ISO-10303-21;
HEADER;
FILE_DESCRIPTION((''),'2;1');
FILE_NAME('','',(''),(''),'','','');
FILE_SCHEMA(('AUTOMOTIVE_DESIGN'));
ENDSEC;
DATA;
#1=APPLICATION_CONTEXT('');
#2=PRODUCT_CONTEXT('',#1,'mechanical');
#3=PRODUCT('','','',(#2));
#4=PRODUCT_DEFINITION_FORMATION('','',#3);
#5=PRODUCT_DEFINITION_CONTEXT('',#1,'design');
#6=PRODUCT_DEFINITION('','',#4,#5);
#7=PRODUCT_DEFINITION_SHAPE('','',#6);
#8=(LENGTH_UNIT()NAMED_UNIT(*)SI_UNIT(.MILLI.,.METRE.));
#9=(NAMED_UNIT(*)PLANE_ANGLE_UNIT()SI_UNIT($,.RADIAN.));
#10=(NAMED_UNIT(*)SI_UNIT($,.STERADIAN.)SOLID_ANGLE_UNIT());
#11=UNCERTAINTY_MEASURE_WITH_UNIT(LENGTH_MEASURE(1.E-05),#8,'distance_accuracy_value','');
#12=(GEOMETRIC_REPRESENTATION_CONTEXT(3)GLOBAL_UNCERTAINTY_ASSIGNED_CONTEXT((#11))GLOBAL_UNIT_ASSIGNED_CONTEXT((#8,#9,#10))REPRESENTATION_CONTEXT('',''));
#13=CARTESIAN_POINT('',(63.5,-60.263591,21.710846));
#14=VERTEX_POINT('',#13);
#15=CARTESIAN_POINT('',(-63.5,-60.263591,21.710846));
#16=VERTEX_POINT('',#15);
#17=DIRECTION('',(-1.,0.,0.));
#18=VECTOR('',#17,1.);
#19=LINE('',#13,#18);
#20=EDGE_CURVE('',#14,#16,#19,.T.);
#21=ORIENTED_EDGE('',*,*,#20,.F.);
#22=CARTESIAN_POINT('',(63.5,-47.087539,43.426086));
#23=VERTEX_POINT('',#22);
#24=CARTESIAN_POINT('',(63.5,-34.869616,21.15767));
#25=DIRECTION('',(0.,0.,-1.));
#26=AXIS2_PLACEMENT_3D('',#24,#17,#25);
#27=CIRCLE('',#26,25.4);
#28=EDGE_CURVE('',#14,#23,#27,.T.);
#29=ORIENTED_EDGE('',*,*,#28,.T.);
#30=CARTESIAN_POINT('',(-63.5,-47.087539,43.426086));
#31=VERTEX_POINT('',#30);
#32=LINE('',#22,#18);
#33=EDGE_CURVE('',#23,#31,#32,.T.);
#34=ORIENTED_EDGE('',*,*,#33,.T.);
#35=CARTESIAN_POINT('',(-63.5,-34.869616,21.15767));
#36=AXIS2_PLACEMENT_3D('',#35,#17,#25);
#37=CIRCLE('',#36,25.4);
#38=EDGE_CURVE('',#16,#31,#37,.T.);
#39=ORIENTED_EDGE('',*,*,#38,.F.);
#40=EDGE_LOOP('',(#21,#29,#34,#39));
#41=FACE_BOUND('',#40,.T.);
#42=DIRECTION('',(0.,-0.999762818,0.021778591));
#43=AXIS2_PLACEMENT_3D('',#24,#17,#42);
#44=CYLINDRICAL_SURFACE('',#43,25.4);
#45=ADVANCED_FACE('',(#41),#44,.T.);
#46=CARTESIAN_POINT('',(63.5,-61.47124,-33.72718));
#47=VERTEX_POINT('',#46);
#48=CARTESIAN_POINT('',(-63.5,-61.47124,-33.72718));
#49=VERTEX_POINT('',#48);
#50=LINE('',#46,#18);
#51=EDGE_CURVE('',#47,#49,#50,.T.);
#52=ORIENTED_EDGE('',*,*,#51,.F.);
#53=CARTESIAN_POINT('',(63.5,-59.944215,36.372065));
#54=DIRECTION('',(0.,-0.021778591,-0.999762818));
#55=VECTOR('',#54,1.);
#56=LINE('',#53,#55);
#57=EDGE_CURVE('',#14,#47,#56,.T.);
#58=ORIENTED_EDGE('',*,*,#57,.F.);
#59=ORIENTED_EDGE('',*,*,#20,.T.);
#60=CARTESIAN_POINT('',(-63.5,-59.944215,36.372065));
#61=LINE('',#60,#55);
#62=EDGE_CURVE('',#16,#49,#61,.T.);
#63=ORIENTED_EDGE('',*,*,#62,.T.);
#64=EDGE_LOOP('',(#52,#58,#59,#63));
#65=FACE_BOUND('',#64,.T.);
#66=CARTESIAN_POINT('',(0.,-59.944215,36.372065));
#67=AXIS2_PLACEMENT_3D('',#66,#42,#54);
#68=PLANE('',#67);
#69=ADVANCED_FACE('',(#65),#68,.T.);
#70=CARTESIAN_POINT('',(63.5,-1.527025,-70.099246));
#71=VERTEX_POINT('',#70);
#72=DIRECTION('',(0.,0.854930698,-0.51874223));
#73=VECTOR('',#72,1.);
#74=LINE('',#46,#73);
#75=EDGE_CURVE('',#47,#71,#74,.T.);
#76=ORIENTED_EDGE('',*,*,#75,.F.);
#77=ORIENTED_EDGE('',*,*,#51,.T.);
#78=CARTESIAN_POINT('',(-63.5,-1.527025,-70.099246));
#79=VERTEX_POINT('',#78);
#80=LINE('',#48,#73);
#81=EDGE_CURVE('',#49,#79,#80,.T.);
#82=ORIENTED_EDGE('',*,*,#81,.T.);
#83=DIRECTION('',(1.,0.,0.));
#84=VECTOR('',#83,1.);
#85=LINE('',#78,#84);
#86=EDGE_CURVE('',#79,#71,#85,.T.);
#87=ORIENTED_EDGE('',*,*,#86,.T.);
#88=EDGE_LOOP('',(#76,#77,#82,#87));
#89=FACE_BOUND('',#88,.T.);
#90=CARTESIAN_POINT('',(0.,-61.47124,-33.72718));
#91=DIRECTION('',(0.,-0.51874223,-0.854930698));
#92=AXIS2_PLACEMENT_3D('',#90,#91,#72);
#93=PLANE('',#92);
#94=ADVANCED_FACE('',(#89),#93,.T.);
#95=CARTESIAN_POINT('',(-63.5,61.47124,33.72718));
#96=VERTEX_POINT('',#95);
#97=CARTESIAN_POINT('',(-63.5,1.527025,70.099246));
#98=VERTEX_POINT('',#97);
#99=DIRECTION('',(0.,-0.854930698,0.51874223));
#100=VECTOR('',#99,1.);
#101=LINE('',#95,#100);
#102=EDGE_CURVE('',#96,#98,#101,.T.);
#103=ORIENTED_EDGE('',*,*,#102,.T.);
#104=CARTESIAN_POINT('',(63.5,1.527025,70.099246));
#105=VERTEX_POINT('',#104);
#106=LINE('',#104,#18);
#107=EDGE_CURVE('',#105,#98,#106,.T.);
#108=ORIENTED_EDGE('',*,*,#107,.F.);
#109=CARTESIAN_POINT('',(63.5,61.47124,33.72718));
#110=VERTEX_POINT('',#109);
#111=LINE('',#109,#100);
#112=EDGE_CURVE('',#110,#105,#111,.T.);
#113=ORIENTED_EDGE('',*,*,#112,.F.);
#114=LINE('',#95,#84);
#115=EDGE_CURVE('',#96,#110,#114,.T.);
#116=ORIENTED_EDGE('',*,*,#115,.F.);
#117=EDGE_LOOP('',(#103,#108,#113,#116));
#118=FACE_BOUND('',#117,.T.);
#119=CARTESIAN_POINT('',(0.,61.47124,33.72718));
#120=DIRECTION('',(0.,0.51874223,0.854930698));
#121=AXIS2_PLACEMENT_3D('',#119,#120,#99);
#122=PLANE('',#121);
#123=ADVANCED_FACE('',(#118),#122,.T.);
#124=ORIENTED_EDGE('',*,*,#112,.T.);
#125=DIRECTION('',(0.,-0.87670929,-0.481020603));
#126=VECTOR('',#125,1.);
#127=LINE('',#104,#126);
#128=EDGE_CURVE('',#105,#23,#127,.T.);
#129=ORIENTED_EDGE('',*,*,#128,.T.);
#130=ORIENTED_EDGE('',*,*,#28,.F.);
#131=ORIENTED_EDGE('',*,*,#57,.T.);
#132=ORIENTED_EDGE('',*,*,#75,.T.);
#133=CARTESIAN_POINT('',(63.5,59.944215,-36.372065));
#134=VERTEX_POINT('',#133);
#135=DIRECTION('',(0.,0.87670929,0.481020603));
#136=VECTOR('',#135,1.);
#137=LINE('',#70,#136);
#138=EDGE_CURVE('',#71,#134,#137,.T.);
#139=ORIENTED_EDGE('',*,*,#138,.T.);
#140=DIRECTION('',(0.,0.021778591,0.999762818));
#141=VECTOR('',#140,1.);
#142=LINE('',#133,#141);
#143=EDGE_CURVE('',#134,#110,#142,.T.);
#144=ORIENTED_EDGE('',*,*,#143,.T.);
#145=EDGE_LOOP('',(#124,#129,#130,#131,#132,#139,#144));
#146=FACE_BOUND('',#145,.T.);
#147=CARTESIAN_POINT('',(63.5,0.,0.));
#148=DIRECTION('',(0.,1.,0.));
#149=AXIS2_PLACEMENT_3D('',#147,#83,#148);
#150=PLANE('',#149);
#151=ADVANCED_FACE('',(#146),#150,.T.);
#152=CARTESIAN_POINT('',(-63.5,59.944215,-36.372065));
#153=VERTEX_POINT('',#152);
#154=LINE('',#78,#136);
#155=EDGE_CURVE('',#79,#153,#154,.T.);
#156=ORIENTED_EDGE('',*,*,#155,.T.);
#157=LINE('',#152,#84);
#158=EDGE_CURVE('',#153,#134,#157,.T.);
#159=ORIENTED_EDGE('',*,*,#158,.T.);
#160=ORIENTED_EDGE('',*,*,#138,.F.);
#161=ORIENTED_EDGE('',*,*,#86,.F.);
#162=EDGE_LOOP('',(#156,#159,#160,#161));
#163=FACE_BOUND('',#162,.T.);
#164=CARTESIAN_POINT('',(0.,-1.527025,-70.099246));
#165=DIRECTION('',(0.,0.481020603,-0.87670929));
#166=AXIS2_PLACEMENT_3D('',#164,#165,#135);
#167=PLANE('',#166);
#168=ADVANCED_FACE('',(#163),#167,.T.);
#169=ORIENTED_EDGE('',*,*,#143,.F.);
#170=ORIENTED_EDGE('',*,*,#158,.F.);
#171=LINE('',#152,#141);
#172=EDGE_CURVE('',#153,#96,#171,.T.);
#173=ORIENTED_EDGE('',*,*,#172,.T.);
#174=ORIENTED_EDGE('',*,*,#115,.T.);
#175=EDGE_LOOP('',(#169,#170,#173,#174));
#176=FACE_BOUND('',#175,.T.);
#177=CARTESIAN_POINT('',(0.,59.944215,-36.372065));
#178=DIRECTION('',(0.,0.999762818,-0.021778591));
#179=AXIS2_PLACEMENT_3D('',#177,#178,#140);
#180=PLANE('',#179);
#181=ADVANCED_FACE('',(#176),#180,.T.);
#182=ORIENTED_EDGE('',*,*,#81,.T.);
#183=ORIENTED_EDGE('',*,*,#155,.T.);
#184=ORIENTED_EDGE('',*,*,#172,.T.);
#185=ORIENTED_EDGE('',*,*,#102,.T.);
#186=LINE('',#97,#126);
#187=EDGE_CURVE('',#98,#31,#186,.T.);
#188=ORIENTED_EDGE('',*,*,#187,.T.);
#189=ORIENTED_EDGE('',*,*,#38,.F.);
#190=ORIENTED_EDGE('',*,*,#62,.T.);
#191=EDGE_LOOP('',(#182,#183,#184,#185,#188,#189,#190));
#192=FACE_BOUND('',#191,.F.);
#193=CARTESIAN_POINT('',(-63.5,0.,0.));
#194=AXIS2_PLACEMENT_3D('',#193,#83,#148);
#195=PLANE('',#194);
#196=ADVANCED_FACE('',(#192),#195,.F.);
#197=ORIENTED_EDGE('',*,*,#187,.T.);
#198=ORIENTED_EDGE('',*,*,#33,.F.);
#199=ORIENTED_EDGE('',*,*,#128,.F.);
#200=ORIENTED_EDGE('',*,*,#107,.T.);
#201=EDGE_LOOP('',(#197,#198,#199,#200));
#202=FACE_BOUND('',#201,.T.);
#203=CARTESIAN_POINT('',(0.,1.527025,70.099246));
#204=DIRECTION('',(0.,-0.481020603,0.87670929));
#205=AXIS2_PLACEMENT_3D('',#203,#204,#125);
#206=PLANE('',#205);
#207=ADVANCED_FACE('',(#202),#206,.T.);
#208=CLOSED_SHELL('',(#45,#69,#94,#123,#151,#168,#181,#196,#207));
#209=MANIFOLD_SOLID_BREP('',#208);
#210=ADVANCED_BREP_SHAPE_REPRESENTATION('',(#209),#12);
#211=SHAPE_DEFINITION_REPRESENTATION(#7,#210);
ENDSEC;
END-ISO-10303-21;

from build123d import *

# Parameters (mm, degrees)
F1_DEPTH = 63.5
F2_R     = 25.4


with BuildPart() as f1:
    # F0 (on Right) → F1 (new body, symmetric)
    with BuildSketch(Plane.YZ):
        Polygon((-61.47124, -33.72718), (-1.527025, -70.099246), (59.944215, -36.372065), (61.47124, 33.72718), (1.527025, 70.099246), (-59.944215, 36.372065), align=None)
    extrude(amount=F1_DEPTH, both=True)

    # F2
    f2_edges = [f1.edges().sort_by_distance(p)[0] for p in [
        (0, -59.944215, 36.372065),
    ]]
    fillet(f2_edges, radius=F2_R)


solid = f1.part
